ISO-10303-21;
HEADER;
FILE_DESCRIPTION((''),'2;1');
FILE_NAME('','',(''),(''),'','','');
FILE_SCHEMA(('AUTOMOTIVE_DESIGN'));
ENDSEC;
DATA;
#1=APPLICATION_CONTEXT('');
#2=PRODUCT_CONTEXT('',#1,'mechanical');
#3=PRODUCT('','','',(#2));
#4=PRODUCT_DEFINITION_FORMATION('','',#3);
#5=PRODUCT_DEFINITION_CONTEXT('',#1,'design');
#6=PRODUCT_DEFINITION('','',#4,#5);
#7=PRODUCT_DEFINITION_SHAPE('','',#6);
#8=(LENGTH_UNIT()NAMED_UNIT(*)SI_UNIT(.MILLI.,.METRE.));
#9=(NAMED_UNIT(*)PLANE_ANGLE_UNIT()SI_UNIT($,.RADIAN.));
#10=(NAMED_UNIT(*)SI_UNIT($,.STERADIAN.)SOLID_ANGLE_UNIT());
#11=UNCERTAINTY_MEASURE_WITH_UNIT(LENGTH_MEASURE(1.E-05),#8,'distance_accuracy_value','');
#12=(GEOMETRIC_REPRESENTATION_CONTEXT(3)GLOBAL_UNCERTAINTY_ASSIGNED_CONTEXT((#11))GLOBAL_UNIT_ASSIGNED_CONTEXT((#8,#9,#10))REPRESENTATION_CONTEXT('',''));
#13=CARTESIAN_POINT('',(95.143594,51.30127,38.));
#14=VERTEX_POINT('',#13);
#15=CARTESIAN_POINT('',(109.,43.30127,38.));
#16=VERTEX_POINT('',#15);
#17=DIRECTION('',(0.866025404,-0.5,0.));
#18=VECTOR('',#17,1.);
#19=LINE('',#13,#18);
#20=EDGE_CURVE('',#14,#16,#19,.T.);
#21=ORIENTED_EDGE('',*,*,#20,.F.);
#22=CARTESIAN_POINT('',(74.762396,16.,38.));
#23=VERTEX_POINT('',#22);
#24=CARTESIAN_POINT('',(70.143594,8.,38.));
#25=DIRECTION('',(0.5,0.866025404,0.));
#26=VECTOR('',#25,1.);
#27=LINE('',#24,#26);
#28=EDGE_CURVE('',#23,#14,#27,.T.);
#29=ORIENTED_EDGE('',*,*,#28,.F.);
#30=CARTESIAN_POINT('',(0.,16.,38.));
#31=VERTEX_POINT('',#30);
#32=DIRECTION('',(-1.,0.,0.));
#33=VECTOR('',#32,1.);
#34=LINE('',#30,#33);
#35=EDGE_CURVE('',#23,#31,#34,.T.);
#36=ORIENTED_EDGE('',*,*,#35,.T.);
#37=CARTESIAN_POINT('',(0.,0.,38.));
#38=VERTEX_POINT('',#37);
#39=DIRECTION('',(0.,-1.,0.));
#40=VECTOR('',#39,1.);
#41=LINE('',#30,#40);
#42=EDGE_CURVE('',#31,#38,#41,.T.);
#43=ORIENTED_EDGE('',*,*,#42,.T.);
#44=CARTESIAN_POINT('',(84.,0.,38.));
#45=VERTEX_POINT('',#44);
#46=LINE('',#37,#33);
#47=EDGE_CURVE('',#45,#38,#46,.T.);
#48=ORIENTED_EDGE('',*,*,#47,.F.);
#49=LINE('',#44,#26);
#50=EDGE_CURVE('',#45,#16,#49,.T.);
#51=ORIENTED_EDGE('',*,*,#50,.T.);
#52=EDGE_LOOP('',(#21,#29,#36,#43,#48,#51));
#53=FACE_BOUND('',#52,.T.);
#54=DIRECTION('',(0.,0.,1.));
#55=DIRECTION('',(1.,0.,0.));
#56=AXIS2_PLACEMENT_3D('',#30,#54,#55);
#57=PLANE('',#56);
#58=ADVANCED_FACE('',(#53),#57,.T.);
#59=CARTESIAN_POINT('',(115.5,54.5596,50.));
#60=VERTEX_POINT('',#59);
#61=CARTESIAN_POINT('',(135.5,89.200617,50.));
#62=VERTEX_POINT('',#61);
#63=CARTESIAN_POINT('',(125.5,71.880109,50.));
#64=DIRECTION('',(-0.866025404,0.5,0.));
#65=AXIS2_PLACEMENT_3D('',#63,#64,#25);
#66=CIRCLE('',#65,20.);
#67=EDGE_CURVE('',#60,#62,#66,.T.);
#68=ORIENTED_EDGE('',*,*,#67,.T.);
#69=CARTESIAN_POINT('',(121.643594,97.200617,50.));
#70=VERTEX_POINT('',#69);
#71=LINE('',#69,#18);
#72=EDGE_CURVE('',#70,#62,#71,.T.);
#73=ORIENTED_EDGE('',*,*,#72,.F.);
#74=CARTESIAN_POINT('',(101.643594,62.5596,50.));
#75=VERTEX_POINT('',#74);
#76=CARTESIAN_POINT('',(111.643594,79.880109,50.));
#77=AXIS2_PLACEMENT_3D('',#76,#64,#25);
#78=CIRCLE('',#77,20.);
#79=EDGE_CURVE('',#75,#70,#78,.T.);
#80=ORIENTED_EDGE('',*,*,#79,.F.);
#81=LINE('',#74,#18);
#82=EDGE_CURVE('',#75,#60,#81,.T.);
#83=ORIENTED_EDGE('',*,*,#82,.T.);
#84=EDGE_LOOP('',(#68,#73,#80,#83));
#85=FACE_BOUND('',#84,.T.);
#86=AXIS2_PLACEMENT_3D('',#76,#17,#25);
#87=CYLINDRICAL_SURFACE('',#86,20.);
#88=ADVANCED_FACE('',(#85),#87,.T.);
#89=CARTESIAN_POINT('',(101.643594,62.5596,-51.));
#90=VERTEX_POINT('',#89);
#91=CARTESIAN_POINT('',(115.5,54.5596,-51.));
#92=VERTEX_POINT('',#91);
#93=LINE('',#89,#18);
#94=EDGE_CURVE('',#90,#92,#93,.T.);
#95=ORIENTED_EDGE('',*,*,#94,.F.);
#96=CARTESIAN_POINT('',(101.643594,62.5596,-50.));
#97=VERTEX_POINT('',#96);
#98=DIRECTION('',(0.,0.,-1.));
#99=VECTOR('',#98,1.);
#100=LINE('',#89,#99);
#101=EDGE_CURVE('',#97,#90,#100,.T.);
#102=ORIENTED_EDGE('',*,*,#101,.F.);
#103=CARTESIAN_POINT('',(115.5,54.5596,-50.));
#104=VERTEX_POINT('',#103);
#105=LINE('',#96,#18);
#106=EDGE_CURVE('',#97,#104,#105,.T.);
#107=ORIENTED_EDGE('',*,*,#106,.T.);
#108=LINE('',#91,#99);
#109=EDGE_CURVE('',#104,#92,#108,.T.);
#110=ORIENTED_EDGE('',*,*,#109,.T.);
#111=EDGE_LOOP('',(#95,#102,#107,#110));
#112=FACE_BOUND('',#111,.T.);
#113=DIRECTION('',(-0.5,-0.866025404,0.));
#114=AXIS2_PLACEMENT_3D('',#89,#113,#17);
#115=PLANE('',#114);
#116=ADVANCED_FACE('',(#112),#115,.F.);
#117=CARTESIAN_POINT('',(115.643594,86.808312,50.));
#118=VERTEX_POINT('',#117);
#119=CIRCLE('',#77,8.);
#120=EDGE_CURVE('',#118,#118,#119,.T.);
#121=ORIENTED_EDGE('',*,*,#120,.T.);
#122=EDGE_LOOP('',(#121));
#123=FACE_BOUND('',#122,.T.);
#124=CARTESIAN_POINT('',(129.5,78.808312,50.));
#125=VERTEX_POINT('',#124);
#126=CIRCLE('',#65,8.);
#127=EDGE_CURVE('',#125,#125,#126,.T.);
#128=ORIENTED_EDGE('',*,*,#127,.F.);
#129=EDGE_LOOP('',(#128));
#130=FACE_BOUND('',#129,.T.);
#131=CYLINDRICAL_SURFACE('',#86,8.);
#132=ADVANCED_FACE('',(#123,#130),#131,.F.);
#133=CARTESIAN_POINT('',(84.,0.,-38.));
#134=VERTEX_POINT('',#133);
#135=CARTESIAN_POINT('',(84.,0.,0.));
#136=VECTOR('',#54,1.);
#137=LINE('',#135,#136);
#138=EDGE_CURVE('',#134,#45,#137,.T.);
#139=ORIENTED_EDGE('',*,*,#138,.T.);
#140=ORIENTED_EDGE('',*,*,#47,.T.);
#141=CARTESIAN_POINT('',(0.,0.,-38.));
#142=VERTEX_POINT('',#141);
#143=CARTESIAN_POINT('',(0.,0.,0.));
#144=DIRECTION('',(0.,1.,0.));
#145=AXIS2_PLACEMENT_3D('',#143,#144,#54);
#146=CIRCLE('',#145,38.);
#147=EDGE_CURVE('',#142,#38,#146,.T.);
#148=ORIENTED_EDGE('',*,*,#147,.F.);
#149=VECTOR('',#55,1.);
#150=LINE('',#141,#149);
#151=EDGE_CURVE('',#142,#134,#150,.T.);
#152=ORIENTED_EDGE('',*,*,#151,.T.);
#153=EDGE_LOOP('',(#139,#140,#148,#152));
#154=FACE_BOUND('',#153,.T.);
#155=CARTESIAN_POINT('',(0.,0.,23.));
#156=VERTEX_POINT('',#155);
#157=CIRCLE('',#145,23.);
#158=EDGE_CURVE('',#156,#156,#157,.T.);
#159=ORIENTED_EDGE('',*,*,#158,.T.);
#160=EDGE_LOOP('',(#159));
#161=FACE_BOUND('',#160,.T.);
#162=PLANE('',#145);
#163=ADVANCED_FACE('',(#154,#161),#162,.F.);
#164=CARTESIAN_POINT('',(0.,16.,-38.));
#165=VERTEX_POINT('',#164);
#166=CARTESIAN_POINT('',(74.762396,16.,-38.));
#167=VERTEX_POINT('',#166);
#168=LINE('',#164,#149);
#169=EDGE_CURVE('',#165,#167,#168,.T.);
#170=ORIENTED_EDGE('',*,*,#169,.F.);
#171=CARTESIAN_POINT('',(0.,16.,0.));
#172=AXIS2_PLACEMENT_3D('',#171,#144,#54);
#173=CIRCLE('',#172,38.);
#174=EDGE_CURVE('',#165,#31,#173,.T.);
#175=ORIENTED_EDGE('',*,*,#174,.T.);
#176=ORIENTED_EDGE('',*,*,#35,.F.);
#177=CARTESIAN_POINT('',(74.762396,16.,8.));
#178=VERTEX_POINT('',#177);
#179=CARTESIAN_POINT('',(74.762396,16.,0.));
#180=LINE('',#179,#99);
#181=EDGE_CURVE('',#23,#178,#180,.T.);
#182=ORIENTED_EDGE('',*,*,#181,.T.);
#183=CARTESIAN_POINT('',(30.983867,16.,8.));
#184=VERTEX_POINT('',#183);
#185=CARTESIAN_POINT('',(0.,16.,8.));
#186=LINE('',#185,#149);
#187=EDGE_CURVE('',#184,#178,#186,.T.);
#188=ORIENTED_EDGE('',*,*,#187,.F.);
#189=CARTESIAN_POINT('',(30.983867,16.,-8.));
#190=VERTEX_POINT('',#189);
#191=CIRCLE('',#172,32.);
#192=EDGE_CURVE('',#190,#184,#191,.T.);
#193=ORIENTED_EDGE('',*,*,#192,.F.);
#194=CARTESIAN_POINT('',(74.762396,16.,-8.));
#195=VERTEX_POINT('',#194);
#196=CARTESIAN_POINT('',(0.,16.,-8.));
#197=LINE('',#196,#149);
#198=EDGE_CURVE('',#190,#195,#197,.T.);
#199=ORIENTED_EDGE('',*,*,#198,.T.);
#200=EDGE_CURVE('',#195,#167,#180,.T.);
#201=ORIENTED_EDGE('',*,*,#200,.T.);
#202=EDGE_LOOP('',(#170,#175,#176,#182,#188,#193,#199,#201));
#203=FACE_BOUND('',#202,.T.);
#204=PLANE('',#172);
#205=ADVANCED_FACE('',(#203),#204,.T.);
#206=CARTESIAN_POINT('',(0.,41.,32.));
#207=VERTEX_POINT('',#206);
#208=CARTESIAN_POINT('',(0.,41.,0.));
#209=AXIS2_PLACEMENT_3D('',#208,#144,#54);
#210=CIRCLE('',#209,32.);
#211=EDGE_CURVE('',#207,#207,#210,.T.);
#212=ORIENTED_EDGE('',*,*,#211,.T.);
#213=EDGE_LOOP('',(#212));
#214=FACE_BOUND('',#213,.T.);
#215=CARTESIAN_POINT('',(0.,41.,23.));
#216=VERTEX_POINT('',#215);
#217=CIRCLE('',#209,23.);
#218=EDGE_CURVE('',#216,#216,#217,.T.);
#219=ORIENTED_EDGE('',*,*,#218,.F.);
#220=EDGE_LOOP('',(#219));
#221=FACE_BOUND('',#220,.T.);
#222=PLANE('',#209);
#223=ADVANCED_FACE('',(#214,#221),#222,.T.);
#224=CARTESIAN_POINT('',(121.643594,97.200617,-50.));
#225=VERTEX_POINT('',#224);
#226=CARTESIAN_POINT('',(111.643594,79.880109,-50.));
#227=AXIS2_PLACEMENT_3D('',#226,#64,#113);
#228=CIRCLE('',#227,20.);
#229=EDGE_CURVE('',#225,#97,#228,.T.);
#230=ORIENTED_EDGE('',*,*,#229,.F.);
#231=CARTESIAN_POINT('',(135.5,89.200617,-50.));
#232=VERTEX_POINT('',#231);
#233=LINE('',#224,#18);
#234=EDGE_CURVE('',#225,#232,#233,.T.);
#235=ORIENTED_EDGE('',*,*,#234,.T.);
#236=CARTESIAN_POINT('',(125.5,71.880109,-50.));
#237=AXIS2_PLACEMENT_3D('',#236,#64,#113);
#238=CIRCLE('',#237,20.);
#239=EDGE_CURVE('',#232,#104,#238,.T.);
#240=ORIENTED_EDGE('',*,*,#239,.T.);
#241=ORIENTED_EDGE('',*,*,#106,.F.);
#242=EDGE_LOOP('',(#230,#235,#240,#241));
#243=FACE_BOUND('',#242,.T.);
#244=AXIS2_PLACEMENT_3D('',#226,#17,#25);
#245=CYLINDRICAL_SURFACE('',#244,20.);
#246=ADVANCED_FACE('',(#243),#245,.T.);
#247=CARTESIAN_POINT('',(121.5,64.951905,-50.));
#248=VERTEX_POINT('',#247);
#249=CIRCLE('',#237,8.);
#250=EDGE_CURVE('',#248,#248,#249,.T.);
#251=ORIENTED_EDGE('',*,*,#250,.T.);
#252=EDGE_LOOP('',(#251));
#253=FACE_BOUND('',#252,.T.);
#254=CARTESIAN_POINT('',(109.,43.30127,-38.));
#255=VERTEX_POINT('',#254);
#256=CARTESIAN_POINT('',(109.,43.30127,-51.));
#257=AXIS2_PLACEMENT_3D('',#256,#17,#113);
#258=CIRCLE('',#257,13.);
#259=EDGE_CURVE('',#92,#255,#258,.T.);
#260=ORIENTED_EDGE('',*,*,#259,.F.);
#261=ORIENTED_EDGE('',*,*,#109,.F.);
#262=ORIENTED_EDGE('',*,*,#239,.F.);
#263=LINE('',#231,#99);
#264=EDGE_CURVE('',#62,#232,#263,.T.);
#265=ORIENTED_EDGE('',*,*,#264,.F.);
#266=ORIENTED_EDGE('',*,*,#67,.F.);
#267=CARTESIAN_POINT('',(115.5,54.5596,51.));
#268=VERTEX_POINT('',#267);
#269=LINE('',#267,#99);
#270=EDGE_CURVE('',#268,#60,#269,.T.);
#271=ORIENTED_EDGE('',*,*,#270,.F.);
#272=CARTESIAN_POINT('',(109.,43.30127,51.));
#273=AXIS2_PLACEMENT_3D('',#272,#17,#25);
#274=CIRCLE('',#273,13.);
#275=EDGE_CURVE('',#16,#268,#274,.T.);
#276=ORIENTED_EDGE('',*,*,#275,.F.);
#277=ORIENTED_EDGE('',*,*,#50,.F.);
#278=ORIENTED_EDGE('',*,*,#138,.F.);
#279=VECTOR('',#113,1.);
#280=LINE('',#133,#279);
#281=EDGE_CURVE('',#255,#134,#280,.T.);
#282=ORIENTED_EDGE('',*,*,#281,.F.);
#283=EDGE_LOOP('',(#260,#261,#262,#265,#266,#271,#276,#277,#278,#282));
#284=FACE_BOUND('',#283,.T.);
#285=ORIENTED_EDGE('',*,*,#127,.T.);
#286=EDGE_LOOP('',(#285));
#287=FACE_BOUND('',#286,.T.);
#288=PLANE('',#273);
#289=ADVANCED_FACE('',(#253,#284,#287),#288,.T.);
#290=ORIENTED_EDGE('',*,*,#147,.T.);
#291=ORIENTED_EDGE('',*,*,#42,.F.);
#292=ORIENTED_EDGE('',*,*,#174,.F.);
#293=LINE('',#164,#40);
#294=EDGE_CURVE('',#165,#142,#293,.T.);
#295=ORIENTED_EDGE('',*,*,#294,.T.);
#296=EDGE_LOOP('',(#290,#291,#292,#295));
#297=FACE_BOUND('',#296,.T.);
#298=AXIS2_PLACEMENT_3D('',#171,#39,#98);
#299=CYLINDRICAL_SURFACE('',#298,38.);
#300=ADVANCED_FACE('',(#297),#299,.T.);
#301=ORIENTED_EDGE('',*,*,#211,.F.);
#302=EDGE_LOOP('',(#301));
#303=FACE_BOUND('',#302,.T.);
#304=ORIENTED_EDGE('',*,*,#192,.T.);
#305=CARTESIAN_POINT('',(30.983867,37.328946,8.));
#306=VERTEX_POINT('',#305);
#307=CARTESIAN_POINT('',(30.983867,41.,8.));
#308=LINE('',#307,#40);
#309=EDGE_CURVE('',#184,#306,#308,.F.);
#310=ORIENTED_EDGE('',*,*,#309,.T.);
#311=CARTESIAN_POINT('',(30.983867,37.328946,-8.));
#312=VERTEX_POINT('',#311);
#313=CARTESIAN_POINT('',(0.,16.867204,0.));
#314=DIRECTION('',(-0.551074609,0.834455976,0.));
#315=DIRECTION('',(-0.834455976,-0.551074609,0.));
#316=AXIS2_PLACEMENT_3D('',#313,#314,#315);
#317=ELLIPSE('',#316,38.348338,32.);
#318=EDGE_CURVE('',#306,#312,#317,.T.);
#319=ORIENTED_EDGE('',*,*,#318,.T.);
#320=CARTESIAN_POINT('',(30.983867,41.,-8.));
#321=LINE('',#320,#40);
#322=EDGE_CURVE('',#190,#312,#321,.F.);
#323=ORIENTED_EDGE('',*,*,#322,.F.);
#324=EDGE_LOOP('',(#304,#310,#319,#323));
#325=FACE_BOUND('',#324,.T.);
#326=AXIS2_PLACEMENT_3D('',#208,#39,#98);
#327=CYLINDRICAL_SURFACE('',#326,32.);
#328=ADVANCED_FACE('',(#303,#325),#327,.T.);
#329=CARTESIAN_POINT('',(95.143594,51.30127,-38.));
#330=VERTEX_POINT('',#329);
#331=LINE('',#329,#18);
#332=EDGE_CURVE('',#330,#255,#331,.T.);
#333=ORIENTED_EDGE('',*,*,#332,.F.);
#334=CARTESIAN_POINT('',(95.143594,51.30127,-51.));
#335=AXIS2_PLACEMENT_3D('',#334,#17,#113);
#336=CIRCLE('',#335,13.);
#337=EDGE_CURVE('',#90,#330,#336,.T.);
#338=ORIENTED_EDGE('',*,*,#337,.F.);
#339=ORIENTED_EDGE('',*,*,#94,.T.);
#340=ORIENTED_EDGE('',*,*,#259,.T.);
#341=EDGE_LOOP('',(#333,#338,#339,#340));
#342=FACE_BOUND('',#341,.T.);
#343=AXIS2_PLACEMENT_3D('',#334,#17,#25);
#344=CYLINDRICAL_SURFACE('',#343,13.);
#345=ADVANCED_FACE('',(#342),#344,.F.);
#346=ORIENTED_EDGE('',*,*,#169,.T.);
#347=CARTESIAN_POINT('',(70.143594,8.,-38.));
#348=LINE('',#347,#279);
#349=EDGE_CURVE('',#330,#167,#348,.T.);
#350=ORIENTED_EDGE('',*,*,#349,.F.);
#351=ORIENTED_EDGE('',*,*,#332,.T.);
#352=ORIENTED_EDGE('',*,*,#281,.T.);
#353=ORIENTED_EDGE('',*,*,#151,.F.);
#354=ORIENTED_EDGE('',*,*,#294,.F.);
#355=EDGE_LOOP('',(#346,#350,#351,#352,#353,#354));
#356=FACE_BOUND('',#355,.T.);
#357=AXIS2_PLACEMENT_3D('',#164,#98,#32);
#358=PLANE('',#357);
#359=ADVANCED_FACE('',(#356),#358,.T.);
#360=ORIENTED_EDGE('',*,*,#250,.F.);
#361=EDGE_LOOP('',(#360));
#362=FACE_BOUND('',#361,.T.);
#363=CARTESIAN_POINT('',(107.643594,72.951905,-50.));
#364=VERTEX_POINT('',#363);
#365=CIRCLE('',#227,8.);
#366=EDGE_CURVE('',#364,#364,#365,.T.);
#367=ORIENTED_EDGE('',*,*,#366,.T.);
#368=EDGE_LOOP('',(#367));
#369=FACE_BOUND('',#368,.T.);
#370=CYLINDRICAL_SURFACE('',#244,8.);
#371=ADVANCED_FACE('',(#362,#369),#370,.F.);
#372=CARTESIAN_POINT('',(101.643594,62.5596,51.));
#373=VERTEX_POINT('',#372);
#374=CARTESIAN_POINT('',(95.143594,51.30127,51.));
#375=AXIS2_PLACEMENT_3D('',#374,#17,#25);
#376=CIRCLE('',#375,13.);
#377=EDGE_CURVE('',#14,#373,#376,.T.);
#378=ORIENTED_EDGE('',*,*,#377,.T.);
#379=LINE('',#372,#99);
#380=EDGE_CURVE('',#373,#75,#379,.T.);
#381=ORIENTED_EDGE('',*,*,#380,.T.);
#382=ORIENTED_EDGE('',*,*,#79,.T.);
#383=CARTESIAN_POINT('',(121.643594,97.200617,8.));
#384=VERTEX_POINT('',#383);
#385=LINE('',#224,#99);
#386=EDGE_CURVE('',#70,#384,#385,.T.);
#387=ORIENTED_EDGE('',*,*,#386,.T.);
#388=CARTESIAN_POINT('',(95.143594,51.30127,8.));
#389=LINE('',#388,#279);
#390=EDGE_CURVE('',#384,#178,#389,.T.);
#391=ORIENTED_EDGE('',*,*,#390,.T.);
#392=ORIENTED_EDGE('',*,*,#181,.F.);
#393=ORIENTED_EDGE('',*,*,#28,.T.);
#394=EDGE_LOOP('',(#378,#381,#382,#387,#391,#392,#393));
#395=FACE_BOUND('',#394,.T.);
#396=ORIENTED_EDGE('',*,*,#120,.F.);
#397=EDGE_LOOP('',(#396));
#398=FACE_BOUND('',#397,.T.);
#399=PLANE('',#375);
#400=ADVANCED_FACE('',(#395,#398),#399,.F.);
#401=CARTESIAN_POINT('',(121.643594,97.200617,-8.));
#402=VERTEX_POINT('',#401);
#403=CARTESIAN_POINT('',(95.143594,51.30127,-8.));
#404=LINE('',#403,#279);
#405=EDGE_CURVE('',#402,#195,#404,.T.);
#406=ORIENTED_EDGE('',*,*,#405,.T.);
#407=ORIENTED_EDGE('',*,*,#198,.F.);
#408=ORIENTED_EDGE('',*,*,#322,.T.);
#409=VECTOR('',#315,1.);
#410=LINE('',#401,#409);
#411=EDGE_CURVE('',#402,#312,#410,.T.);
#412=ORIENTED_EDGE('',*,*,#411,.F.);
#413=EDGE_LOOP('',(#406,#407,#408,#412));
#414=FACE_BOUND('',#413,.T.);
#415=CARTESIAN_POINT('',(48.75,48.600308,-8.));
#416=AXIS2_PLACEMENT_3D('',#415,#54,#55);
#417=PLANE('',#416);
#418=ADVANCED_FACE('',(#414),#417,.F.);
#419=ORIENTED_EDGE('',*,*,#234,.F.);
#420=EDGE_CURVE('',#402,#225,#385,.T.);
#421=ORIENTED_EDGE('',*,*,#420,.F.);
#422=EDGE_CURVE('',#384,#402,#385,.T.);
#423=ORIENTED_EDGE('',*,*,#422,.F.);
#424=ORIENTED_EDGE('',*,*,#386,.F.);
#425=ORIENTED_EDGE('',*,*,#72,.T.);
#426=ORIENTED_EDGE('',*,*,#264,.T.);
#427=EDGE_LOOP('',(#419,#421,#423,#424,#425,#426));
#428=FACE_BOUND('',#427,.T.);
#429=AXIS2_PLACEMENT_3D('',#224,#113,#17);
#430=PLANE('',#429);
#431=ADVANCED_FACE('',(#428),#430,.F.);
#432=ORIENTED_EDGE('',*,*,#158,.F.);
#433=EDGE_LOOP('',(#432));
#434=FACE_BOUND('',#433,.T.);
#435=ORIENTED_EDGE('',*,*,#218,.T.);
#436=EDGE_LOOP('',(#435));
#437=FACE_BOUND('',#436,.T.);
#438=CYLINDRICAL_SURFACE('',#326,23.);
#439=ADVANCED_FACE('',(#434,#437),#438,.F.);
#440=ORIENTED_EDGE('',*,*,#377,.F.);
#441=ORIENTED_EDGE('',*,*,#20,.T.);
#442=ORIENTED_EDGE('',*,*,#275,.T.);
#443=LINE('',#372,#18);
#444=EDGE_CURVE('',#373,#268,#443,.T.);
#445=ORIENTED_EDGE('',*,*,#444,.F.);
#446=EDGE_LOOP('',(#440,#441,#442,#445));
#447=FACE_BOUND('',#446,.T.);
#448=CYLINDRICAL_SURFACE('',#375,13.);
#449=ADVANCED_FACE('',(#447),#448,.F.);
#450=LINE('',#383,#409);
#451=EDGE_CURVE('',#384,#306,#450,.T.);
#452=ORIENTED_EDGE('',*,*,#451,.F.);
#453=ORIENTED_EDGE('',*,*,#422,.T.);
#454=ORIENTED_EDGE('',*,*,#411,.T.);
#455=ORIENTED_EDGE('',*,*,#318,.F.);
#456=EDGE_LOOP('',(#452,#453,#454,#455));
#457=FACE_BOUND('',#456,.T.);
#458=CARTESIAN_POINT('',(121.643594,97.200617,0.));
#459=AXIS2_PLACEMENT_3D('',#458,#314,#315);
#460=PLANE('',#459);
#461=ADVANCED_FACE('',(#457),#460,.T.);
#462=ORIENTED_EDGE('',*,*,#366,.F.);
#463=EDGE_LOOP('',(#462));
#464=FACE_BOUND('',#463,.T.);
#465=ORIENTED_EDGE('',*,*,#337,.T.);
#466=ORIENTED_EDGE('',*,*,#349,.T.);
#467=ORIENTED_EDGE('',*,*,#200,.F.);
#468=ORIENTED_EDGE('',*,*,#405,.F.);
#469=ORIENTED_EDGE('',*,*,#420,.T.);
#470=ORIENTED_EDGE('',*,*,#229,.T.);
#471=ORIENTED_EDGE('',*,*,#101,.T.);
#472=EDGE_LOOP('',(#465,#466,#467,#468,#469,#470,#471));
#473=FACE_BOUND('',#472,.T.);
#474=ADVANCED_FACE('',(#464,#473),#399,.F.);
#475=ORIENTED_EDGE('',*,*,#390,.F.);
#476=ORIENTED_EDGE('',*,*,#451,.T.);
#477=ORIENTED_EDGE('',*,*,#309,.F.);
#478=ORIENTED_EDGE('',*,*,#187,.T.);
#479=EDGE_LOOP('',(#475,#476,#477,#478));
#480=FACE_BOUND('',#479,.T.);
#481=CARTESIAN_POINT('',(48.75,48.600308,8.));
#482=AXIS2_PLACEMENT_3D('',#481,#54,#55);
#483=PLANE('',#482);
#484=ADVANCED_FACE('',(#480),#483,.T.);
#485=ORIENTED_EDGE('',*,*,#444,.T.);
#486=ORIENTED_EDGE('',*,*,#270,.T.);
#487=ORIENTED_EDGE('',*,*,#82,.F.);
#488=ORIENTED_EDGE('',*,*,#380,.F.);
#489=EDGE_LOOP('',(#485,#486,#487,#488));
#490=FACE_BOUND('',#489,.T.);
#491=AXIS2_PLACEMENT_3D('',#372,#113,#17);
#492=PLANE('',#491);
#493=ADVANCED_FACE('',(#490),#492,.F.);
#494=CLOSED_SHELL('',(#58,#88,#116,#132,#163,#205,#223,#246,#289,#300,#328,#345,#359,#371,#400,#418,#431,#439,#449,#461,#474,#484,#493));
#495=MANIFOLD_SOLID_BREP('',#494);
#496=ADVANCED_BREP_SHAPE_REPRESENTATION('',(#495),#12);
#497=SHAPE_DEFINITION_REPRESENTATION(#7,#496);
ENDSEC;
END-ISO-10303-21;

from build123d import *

# Parameters (mm, degrees)
SKETCH_1_R      = 32
EXTRUDE_1_DEPTH = 16
SKETCH_1_3_R    = 32
SKETCH_1_3_R_2  = 23
EXTRUDE_2_DEPTH = 41
SKETCH_3_R      = 8
EXTRUDE_3_DEPTH = 16
RIB_1_REACH     = 182.854
SKETCH_4_WALL_W = 471.13581316
SKETCH_4_WALL_H = 16


with BuildPart() as part:
    # 草图1 → 凸台-拉伸1 (new body)
    with BuildSketch(Plane(origin=(0, 0, 0), x_dir=(1, 0, 0), z_dir=(0, 1, 0))):
        with BuildLine():
            Line((84, 38), (0, 38))
            ThreePointArc((0, 38), (-38, 0), (0, -38))
            Line((0, -38), (84, -38))
            Line((84, -38), (84, 38))
        make_face()
        Circle(SKETCH_1_R, mode=Mode.SUBTRACT)
    extrude(amount=EXTRUDE_1_DEPTH)

    # 草图1<3> → 凸台-拉伸2 (add)
    with BuildSketch(Plane(origin=(0, 0, 0), x_dir=(1, 0, 0), z_dir=(0, 1, 0))):
        Circle(SKETCH_1_3_R)
        Circle(SKETCH_1_3_R_2, mode=Mode.SUBTRACT)
    extrude(amount=EXTRUDE_2_DEPTH)

    # 草图3 → 凸台-拉伸3 (add)
    with BuildSketch(Plane(origin=(63, -36.373066959, 0), x_dir=(0, 0, 1), z_dir=(-0.8660254037844398, 0.499999999999998, 0))):
        with BuildLine():
            Line((-38, 42), (-38, 92))
            ThreePointArc((-38, 92), (-41.807611845, 101.192388155), (-51, 105))
            Line((-51, 105), (-50, 105))
            ThreePointArc((-50, 105), (-70, 125), (-50, 145))
            Line((-50, 145), (50, 145))
            ThreePointArc((50, 145), (70, 125), (50, 105))
            Line((50, 105), (51, 105))
            ThreePointArc((51, 105), (41.807611845, 101.192388155), (38, 92))
            Line((38, 92), (38, 42))
            Line((38, 42), (-38, 42))
        make_face()
        with Locations((-50, 125)):
            Circle(SKETCH_3_R, mode=Mode.SUBTRACT)
        with Locations((50, 125)):
            Circle(SKETCH_3_R, mode=Mode.SUBTRACT)
    extrude(amount=EXTRUDE_3_DEPTH)

    # 草图4 wall → 筋1 (add, up to next)
    with BuildSketch(Plane(origin=(76.821796769, 67.600308295, 0), x_dir=(-0.834455975571, -0.551074609136, 0), z_dir=(0.551074609136, -0.834455975571, 0)), mode=Mode.PRIVATE) as rib_1_sk1:
        Rectangle(SKETCH_4_WALL_W, SKETCH_4_WALL_H)
    rib_1_tool1 = extrude(rib_1_sk1.sketch, amount=RIB_1_REACH, mode=Mode.PRIVATE) - part.part
    add(rib_1_tool1.solids().sort_by_distance((76.821796769, 67.600308295, 0))[0])


solid = part.part
